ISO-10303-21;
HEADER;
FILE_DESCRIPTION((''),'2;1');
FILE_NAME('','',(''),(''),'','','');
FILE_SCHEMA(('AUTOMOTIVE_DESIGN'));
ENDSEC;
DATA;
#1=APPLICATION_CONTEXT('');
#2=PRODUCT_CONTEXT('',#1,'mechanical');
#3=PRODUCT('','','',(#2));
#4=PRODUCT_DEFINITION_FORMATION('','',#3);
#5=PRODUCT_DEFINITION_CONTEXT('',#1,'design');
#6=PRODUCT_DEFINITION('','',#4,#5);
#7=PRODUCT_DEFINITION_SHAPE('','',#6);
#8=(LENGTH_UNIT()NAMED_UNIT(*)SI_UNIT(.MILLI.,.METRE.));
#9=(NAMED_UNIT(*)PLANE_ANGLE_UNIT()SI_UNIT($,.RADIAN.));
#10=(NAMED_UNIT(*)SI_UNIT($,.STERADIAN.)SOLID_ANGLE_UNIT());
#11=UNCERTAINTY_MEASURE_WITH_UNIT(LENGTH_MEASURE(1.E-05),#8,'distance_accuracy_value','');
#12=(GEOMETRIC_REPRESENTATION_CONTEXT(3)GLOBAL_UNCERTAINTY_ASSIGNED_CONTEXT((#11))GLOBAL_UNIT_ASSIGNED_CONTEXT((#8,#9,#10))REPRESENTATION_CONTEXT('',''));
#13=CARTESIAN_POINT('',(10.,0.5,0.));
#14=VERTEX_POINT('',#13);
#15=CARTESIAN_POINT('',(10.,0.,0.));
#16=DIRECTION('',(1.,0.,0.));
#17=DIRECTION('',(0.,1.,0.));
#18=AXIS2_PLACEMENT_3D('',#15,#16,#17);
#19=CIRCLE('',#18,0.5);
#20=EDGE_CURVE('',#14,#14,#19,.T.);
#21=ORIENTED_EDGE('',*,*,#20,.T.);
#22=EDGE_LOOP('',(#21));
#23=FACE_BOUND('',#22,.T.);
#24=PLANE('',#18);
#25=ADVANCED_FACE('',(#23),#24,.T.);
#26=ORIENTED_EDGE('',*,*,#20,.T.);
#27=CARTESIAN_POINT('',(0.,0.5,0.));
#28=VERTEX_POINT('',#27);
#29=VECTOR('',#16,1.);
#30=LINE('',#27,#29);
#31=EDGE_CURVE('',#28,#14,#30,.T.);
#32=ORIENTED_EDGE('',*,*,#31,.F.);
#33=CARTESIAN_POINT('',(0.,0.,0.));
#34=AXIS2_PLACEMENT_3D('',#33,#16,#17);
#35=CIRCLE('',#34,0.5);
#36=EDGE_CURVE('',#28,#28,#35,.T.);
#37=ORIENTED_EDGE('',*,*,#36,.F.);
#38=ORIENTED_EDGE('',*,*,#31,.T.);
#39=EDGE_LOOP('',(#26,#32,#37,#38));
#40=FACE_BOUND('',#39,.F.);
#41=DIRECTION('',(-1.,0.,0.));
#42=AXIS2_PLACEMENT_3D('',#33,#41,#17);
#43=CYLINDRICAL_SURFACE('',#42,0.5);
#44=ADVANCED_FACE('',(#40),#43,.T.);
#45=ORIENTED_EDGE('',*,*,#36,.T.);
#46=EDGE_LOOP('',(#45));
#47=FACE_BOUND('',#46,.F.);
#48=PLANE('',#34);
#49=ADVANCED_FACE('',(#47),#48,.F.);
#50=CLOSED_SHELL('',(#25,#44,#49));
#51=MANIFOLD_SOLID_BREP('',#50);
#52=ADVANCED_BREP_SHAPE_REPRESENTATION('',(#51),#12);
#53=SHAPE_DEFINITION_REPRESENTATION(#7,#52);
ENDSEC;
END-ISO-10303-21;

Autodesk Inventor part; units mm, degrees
ref_plane "YZ Plane" through (0, 0, 0) normal (1, 0, 0) x (0, 1, 0)
ref_plane "XZ Plane" through (0, 0, 0) normal (0, 1, 0) x (-1, 0, 0)
ref_plane "XY Plane" through (0, 0, 0) normal (0, 0, 1) x (1, 0, 0)
sketch "Boceto1" plane through (0, 0, 0) normal (1, 0, 0) x (0, 1, 0)
  circle A0 centre (0, 0) radius 0.5
  dimension "d0" = 1
extrude "Extrusión1" add sketch "Boceto1" along normal blind 10
sketch "Boceto2" plane through (10, 0, 0) normal (1, 0, 0) x (0, 0, -1)
  circle A0 centre (0, 0) radius 0.5 projected
properties part number "Thermistor"
